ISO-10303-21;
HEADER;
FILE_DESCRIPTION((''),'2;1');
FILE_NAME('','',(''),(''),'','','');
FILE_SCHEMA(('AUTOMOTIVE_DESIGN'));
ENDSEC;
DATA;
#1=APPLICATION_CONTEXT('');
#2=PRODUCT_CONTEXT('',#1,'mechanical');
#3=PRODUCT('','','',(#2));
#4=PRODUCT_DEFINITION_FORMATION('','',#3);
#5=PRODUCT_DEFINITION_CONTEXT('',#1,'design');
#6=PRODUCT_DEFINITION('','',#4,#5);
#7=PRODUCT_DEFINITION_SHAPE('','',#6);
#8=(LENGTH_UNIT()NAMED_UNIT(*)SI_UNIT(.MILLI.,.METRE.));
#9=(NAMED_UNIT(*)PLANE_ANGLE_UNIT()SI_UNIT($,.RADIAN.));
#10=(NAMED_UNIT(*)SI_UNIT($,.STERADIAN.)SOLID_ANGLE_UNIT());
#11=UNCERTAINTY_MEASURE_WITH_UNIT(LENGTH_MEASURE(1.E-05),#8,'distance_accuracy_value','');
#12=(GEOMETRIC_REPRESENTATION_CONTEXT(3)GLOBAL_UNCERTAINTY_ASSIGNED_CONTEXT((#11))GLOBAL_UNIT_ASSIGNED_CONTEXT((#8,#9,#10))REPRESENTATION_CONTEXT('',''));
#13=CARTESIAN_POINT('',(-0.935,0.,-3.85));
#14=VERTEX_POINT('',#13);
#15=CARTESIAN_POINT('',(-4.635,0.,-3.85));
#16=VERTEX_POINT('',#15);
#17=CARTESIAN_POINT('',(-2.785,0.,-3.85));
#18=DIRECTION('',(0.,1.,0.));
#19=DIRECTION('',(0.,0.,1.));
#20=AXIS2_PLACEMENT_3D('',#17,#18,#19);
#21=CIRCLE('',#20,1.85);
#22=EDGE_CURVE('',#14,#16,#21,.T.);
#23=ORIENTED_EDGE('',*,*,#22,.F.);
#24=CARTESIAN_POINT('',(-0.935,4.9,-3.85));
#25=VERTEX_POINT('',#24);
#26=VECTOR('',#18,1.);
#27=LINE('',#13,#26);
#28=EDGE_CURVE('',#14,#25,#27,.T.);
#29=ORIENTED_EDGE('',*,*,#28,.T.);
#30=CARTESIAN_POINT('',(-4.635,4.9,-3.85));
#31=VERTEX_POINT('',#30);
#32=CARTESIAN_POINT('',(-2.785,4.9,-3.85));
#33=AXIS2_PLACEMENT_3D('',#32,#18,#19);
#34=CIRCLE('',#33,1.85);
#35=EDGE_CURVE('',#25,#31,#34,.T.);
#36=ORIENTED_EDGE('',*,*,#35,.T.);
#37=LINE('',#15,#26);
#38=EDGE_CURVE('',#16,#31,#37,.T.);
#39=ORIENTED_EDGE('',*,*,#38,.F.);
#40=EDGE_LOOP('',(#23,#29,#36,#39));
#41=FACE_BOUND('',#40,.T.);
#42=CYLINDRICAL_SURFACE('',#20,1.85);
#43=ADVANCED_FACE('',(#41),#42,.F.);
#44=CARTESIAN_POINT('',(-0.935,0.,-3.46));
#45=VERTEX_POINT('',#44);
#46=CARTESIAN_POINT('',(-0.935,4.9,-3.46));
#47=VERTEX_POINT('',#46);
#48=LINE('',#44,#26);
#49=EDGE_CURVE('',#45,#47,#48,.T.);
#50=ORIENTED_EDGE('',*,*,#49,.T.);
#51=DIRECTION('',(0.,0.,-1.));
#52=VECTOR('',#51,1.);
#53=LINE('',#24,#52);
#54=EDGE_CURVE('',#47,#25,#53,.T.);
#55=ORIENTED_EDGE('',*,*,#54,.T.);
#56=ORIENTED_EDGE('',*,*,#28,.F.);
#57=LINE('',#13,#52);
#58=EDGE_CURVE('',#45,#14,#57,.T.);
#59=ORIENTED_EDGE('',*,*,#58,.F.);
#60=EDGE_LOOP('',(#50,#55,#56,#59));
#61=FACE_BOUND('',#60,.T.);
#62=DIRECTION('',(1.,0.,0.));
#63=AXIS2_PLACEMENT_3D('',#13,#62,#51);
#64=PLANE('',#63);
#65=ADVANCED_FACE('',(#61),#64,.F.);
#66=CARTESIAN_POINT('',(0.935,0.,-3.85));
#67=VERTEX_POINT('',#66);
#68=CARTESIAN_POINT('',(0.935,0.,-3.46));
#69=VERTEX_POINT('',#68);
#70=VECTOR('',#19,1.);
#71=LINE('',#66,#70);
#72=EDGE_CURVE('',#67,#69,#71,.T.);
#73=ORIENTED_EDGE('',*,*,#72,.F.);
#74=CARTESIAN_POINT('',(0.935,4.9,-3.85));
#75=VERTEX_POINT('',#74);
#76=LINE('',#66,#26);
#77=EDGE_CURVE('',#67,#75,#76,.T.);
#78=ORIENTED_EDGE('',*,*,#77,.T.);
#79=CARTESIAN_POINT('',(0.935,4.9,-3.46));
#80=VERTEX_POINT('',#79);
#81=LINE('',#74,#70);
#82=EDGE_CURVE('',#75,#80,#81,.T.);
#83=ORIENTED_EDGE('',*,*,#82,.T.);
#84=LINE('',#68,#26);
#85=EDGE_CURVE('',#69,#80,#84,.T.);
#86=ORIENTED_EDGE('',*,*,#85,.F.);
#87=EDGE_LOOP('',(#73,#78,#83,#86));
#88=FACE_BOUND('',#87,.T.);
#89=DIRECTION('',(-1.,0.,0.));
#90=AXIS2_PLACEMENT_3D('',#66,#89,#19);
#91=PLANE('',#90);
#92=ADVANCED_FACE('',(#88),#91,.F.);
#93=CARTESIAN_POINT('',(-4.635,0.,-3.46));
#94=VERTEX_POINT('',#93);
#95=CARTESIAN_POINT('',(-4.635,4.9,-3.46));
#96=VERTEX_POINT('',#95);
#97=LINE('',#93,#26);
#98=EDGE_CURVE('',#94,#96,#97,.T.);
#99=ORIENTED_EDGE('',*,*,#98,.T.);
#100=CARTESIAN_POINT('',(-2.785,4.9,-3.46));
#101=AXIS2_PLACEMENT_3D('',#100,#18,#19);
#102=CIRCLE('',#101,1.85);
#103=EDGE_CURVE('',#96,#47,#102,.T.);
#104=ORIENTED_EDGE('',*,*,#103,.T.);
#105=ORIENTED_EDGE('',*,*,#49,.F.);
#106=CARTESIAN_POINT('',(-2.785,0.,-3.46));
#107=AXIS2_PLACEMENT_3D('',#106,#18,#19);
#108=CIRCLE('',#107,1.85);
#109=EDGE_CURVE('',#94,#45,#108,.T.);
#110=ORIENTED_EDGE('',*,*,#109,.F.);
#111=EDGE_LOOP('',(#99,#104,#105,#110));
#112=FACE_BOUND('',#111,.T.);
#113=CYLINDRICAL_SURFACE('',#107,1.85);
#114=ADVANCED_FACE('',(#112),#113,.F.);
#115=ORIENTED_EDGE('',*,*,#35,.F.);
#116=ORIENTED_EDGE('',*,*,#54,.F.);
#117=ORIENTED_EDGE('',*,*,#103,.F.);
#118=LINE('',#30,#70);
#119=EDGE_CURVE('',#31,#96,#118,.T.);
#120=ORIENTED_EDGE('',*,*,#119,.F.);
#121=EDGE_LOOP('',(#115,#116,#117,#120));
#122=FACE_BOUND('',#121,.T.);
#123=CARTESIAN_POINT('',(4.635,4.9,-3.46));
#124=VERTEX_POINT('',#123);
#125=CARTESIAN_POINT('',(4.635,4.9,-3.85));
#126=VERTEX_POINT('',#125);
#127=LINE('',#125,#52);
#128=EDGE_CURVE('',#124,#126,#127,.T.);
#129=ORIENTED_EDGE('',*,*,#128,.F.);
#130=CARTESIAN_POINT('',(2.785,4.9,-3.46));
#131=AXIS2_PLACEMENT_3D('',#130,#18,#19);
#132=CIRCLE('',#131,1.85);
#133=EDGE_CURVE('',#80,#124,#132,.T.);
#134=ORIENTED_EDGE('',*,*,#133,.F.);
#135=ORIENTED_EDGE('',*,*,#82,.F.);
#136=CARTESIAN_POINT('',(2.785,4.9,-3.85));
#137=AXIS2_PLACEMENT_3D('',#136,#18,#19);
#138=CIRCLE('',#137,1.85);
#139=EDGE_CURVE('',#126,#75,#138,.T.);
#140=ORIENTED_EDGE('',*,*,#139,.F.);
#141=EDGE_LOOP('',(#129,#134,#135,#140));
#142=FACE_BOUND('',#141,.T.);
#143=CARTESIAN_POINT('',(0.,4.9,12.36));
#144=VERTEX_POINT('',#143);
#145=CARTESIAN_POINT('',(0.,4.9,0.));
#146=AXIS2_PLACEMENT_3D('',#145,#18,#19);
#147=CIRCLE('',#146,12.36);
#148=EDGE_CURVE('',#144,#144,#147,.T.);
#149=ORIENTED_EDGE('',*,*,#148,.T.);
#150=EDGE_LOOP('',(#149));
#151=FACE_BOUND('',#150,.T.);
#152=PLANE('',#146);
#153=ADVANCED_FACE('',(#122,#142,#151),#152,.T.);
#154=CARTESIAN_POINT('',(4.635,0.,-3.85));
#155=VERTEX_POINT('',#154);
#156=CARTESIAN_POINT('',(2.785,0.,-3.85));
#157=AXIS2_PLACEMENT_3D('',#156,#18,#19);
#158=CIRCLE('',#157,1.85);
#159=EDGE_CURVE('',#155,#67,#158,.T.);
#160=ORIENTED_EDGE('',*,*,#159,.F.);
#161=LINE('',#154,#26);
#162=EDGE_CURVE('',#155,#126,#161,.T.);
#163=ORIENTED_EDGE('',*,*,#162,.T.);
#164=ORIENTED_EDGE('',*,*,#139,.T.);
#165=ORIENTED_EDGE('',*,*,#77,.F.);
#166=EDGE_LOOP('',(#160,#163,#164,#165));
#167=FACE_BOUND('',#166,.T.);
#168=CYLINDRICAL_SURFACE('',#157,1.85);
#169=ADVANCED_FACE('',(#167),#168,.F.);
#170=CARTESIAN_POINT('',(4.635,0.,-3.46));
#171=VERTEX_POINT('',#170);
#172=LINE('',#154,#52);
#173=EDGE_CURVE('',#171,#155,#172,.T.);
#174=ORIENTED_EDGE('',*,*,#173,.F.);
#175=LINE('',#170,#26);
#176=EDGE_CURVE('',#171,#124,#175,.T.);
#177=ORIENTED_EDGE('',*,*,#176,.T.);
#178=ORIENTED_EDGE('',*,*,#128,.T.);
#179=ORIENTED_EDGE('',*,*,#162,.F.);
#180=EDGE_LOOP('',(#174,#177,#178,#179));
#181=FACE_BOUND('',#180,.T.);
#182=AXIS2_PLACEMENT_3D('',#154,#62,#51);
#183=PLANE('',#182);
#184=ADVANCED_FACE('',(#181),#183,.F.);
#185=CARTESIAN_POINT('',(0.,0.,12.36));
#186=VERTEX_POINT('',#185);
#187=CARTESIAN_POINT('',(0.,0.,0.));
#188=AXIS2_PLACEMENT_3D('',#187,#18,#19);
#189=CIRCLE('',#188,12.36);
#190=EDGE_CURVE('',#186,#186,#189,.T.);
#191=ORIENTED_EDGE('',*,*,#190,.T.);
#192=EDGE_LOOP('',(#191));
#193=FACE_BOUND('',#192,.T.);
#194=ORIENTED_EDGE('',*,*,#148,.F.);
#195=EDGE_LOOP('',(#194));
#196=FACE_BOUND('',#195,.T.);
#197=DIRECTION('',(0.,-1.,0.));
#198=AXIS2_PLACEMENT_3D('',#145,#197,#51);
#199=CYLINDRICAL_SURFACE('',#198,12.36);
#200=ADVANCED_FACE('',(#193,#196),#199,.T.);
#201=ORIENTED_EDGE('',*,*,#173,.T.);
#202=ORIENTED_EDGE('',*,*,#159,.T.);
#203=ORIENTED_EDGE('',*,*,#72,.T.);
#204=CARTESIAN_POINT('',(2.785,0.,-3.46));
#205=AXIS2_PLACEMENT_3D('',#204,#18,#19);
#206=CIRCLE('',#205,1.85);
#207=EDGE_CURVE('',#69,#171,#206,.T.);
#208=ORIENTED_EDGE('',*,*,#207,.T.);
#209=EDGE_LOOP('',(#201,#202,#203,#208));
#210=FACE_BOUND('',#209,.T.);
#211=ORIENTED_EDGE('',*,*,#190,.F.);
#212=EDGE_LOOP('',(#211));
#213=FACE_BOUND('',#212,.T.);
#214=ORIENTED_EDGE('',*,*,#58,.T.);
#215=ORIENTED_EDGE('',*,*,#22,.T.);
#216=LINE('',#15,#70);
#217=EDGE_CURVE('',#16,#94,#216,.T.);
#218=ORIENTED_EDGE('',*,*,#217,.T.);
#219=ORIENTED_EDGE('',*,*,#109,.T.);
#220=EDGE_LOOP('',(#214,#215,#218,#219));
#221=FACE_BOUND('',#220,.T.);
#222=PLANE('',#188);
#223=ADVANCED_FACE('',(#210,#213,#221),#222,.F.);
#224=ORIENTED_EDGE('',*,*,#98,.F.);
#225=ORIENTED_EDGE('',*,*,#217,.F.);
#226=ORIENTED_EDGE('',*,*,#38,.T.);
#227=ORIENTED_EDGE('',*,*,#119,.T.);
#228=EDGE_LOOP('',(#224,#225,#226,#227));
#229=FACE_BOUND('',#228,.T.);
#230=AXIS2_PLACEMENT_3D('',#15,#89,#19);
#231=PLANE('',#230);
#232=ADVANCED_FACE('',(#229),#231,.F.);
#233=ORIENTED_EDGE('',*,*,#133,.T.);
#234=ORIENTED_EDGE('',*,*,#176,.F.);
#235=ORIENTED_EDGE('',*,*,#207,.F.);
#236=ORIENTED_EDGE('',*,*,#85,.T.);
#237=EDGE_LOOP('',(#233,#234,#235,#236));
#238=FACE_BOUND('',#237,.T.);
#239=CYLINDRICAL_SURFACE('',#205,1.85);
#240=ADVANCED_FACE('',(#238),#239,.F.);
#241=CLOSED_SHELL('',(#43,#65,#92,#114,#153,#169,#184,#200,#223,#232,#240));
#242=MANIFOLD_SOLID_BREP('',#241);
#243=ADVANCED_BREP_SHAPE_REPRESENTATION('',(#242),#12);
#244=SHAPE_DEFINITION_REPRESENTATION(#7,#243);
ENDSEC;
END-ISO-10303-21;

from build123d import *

# Parameters (mm, degrees)
SKETCH1_R           = 12.36
BOSS_EXTRUDE1_DEPTH = 4.9
CUT_EXTRUDE1_DEPTH  = 19.153490023


with BuildPart() as part:
    # Sketch1 → Boss-Extrude1 (new body)
    with BuildSketch(Plane(origin=(0, 0, 0), x_dir=(1, 0, 0), z_dir=(0, 1, 0))):
        with Locations(Location((0, 0, 0), (0, 0, 270))):
            Circle(SKETCH1_R)
    extrude(amount=BOSS_EXTRUDE1_DEPTH)

    # Sketch2 → Cut-Extrude1 (cut, through all)
    with BuildSketch(Plane(origin=(0, 4.9, 0), x_dir=(1, 0, 0), z_dir=(0, 1, 0))):
        with BuildLine():
            Line((4.635, 3.85), (4.635, 3.46))
            ThreePointArc((4.635, 3.46), (2.785, 1.61), (0.935, 3.46))
            Line((0.935, 3.46), (0.935, 3.85))
            ThreePointArc((0.935, 3.85), (2.785, 5.7), (4.635, 3.85))
        make_face()
        with BuildLine():
            Line((-0.935, 3.85), (-0.935, 3.46))
            ThreePointArc((-0.935, 3.46), (-2.785, 1.61), (-4.635, 3.46))
            Line((-4.635, 3.46), (-4.635, 3.85))
            ThreePointArc((-4.635, 3.85), (-2.785, 5.7), (-0.935, 3.85))
        make_face()
    extrude(amount=-CUT_EXTRUDE1_DEPTH, mode=Mode.SUBTRACT)


solid = part.part
